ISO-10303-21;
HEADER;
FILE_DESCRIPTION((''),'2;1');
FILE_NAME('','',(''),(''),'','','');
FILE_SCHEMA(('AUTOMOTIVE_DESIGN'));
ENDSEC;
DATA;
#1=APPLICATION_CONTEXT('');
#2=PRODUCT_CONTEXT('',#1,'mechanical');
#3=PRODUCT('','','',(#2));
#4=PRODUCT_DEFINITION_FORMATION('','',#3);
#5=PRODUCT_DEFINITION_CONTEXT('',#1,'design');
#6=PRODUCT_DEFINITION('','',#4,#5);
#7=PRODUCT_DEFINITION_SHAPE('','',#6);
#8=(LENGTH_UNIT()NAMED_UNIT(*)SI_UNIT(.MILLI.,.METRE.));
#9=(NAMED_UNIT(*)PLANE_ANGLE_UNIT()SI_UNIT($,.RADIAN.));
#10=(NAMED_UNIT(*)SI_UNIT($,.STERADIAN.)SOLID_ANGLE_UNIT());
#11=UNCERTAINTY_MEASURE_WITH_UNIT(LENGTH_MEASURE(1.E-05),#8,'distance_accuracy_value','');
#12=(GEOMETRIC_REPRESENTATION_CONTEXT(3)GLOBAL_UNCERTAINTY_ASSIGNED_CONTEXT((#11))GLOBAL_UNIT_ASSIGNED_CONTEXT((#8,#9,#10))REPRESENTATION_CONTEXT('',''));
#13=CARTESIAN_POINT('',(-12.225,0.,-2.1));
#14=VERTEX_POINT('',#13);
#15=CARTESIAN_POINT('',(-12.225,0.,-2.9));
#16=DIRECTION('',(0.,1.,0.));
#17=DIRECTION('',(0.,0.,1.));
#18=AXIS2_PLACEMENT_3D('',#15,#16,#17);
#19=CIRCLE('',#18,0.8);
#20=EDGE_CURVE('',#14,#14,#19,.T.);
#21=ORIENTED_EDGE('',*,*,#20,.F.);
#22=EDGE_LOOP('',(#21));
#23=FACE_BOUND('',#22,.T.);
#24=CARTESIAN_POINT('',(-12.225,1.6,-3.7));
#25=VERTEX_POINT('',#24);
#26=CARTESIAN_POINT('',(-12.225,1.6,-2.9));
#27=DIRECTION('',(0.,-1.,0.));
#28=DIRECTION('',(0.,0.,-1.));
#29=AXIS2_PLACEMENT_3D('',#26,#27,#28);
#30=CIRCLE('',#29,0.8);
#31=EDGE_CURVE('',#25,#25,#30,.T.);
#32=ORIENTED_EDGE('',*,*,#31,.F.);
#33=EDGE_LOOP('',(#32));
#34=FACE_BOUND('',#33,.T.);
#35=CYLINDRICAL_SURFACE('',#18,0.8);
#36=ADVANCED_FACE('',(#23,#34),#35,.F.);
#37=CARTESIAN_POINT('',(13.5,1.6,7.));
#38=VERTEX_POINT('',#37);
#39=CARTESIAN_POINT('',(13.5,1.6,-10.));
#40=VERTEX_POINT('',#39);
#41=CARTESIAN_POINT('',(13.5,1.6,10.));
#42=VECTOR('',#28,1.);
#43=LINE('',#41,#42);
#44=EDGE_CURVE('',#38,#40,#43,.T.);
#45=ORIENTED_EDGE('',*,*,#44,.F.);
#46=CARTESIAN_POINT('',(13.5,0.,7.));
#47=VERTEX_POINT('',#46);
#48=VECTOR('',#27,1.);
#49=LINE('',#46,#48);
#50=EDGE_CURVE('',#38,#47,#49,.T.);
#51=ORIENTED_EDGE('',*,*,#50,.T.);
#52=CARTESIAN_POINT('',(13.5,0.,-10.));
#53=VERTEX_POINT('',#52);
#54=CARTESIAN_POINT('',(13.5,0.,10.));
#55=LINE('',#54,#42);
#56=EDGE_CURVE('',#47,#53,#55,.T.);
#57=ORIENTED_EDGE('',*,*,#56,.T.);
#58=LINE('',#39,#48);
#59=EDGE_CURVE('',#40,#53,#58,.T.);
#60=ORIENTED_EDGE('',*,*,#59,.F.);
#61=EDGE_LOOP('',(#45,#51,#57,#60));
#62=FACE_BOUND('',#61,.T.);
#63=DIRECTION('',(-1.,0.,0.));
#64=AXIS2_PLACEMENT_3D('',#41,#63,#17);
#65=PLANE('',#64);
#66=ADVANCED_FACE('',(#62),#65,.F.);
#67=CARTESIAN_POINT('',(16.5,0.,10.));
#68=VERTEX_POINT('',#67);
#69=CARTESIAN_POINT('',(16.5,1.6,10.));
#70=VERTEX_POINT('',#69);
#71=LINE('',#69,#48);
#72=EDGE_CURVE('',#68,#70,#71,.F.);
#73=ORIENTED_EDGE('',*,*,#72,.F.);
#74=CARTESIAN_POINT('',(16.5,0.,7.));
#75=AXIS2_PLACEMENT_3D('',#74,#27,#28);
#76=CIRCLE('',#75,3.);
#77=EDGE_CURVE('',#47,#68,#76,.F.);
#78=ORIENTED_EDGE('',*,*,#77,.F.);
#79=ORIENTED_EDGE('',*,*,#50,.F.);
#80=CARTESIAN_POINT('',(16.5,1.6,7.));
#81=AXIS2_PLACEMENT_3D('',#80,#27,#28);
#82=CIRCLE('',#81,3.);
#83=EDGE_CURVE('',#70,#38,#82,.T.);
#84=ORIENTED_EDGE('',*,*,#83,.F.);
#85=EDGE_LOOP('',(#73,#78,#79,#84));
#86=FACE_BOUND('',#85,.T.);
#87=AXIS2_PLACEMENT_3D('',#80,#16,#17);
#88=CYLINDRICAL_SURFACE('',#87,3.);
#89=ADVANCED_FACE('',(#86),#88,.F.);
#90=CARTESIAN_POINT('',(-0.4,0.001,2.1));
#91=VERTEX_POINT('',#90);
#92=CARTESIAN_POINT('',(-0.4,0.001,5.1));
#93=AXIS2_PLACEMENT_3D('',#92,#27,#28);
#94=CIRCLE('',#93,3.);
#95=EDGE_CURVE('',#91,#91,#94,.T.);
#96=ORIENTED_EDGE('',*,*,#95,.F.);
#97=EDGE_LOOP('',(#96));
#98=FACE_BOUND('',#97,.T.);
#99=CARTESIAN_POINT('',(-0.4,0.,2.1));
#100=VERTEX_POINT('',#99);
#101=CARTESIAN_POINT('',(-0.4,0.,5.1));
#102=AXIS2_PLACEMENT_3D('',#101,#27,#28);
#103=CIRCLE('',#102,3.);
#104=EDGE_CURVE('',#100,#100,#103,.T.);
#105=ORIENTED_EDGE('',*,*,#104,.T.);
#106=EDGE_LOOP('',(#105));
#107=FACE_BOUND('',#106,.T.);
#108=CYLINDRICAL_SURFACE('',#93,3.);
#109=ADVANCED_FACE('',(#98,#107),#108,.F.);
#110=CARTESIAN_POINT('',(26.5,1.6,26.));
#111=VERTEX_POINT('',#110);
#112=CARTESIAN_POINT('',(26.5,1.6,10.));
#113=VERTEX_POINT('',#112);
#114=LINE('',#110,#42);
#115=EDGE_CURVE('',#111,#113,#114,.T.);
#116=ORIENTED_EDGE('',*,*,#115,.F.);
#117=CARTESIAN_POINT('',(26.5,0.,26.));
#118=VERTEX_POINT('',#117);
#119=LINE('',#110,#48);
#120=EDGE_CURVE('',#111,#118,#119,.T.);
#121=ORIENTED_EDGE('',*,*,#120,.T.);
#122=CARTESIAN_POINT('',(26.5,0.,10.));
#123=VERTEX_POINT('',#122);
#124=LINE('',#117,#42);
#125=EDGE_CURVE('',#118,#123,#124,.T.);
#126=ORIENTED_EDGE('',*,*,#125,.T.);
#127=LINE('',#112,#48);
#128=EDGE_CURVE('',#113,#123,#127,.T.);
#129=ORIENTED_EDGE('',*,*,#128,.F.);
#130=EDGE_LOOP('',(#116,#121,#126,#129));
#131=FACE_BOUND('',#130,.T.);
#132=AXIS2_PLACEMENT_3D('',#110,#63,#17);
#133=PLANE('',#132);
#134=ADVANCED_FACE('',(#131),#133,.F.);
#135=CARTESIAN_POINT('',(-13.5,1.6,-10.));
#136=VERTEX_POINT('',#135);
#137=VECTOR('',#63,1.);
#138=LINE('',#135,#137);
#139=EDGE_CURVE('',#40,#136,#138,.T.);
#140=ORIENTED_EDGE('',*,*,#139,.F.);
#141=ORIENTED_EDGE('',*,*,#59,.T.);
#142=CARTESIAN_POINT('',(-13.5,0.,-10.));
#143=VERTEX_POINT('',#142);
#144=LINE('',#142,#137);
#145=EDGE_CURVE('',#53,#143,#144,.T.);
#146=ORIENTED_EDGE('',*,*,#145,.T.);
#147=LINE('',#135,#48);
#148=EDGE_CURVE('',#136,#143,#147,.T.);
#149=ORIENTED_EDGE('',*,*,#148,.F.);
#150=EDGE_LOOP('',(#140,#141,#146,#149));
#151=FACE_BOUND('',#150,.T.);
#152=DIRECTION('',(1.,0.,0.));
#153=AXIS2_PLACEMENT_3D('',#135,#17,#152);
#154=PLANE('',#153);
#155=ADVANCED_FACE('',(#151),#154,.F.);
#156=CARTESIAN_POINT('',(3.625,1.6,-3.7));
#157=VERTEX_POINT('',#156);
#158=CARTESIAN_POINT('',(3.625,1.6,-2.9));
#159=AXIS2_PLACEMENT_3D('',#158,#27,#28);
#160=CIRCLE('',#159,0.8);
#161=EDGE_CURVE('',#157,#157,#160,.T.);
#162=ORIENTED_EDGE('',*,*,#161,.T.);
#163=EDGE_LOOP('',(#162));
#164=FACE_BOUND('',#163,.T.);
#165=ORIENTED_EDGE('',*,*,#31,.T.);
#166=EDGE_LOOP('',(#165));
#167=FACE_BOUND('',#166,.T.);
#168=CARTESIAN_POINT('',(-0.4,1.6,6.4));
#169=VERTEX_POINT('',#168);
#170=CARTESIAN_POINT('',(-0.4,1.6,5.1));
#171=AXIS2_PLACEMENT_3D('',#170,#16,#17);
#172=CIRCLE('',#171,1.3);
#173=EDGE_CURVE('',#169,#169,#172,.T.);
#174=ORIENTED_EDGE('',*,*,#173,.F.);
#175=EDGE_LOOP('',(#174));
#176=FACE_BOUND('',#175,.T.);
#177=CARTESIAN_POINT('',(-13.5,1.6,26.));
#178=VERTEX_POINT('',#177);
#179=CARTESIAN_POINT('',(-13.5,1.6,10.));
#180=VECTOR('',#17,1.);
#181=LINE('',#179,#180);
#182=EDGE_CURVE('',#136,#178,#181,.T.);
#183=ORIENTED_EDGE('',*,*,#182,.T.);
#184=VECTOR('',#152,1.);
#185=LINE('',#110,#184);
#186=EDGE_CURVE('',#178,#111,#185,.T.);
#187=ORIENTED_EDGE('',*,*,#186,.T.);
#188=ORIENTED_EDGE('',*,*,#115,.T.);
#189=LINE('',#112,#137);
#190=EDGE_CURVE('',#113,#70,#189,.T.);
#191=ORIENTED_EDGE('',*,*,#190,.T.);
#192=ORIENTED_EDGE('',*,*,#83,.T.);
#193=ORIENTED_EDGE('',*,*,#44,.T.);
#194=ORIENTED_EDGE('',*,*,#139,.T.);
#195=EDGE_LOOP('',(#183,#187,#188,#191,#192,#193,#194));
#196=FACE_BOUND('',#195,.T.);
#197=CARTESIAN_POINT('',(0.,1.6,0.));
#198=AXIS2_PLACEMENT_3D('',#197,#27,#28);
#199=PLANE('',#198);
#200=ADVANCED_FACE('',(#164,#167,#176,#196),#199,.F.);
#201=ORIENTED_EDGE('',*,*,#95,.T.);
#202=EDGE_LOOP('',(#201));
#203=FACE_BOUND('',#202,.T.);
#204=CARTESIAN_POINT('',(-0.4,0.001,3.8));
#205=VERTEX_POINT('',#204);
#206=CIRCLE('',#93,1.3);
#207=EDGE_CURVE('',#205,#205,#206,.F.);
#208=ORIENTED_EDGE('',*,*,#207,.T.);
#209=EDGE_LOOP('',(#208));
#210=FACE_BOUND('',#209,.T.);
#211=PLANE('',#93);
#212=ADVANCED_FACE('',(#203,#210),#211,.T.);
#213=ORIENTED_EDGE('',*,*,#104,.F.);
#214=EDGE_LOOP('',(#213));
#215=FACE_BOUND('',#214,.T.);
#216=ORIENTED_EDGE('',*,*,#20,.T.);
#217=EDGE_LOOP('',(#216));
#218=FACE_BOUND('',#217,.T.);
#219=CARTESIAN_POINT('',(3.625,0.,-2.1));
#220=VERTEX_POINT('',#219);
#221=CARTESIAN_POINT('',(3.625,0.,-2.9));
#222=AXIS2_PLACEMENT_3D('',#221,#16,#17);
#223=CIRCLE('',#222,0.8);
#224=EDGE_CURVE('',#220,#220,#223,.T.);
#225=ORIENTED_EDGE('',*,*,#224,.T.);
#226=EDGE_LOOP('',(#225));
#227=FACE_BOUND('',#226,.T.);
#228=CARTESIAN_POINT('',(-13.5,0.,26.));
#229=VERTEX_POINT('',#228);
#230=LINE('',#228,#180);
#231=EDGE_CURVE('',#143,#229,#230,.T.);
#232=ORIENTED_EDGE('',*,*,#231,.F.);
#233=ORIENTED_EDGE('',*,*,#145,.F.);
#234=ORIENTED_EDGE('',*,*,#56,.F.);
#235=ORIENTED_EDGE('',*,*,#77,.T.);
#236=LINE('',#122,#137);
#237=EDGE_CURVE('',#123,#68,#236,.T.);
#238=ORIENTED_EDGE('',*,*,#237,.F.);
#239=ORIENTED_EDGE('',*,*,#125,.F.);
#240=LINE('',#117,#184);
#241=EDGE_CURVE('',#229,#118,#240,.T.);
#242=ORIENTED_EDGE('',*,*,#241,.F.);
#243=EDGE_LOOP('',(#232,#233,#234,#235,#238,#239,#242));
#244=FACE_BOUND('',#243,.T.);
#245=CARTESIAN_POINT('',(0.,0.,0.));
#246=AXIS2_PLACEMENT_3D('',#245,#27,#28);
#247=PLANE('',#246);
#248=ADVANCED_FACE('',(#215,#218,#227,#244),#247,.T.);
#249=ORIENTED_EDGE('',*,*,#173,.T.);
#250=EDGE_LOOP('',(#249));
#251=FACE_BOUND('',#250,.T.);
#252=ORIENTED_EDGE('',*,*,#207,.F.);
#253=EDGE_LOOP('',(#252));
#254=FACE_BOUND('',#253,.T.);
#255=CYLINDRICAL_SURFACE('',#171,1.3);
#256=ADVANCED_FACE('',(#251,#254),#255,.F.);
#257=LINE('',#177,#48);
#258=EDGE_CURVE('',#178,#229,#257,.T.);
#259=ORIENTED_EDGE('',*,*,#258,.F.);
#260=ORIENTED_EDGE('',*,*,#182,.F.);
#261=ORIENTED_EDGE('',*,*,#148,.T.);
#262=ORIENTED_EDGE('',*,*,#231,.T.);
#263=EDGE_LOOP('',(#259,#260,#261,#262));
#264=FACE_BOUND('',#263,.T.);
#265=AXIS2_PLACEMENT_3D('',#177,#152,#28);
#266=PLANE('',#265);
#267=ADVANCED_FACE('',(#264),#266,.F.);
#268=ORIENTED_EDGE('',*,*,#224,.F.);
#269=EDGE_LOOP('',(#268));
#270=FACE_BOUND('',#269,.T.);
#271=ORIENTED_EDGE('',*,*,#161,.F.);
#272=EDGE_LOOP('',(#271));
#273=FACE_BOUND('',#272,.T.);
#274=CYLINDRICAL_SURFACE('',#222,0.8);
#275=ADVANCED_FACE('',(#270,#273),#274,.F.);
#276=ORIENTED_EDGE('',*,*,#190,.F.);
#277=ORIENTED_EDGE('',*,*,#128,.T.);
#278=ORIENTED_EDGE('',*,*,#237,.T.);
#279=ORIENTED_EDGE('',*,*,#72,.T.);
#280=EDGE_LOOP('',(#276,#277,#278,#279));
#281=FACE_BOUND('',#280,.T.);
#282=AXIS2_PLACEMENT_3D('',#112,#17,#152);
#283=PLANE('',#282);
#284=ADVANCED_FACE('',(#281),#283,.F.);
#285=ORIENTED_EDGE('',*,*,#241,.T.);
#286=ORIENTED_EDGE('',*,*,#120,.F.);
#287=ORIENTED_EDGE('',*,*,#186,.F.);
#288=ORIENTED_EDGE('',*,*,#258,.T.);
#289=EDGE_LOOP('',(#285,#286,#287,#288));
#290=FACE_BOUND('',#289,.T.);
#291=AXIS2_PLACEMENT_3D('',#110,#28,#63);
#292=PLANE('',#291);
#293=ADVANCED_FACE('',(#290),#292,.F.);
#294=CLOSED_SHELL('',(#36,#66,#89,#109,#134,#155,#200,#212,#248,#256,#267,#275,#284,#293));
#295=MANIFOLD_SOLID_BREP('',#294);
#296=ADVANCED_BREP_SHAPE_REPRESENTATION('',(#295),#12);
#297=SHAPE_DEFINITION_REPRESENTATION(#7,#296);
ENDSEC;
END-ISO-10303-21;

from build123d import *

# Parameters (mm, degrees)
BOSS_EXTRUDE1_DEPTH     = 1.6
FILLET1_R               = 3
M2_CLEARANCE_HOLE1_D    = 2.6
CUT_EXTRUDE1_DEPTH      = 38.159251876
CUT_EXTRUDE1_DEPTH_BACK = 38.159251876
SKETCH5_R               = 0.8
SKETCH6_R               = 3
CUT_EXTRUDE2_DEPTH      = 0.001


with BuildPart() as part:
    # Sketch1 → Boss-Extrude1 (new body)
    with BuildSketch(Plane(origin=(0, 0, 0), x_dir=(1, 0, 0), z_dir=(0, 1, 0))):
        Polygon((-13.5, -10), (-13.5, 10), (13.5, 10), (13.5, -10), (26.5, -10), (26.5, -26), (-13.5, -26), align=None)
    extrude(amount=BOSS_EXTRUDE1_DEPTH)

    # Fillet1
    fillet1_edges = [part.edges().sort_by_distance(p)[0] for p in [
        (13.5, 0.8, 10),
    ]]
    fillet(fillet1_edges, radius=FILLET1_R)

    # M2 Clearance Hole1 (through all)
    with Locations(Plane(origin=(0, 1.6, 0), x_dir=(1, 0, 0), z_dir=(0, 1, 0))):
        with Locations((-0.4, -5.1)):
            Hole(M2_CLEARANCE_HOLE1_D / 2)

    # Sketch5 → Cut-Extrude1 (cut, two sides: drawn at the far end of the back side and taken through both)
    with BuildSketch(Plane(origin=(0, 1.6, 0), x_dir=(1, 0, 0), z_dir=(0, 1, 0)).offset(-CUT_EXTRUDE1_DEPTH_BACK)):
        with Locations(Location((-12.225, 2.9, 0), (0, 0, 270))):
            Circle(SKETCH5_R)
        with Locations(Location((3.625, 2.9, 0), (0, 0, 270))):
            Circle(SKETCH5_R)
    extrude(amount=CUT_EXTRUDE1_DEPTH + CUT_EXTRUDE1_DEPTH_BACK, mode=Mode.SUBTRACT)

    # Sketch6 → Cut-Extrude2 (cut)
    with BuildSketch(Plane.XZ):
        with Locations(Location((-0.4, 5.1, 0), (0, 0, 270))):
            Circle(SKETCH6_R)
    extrude(amount=-CUT_EXTRUDE2_DEPTH, mode=Mode.SUBTRACT)


solid = part.part
